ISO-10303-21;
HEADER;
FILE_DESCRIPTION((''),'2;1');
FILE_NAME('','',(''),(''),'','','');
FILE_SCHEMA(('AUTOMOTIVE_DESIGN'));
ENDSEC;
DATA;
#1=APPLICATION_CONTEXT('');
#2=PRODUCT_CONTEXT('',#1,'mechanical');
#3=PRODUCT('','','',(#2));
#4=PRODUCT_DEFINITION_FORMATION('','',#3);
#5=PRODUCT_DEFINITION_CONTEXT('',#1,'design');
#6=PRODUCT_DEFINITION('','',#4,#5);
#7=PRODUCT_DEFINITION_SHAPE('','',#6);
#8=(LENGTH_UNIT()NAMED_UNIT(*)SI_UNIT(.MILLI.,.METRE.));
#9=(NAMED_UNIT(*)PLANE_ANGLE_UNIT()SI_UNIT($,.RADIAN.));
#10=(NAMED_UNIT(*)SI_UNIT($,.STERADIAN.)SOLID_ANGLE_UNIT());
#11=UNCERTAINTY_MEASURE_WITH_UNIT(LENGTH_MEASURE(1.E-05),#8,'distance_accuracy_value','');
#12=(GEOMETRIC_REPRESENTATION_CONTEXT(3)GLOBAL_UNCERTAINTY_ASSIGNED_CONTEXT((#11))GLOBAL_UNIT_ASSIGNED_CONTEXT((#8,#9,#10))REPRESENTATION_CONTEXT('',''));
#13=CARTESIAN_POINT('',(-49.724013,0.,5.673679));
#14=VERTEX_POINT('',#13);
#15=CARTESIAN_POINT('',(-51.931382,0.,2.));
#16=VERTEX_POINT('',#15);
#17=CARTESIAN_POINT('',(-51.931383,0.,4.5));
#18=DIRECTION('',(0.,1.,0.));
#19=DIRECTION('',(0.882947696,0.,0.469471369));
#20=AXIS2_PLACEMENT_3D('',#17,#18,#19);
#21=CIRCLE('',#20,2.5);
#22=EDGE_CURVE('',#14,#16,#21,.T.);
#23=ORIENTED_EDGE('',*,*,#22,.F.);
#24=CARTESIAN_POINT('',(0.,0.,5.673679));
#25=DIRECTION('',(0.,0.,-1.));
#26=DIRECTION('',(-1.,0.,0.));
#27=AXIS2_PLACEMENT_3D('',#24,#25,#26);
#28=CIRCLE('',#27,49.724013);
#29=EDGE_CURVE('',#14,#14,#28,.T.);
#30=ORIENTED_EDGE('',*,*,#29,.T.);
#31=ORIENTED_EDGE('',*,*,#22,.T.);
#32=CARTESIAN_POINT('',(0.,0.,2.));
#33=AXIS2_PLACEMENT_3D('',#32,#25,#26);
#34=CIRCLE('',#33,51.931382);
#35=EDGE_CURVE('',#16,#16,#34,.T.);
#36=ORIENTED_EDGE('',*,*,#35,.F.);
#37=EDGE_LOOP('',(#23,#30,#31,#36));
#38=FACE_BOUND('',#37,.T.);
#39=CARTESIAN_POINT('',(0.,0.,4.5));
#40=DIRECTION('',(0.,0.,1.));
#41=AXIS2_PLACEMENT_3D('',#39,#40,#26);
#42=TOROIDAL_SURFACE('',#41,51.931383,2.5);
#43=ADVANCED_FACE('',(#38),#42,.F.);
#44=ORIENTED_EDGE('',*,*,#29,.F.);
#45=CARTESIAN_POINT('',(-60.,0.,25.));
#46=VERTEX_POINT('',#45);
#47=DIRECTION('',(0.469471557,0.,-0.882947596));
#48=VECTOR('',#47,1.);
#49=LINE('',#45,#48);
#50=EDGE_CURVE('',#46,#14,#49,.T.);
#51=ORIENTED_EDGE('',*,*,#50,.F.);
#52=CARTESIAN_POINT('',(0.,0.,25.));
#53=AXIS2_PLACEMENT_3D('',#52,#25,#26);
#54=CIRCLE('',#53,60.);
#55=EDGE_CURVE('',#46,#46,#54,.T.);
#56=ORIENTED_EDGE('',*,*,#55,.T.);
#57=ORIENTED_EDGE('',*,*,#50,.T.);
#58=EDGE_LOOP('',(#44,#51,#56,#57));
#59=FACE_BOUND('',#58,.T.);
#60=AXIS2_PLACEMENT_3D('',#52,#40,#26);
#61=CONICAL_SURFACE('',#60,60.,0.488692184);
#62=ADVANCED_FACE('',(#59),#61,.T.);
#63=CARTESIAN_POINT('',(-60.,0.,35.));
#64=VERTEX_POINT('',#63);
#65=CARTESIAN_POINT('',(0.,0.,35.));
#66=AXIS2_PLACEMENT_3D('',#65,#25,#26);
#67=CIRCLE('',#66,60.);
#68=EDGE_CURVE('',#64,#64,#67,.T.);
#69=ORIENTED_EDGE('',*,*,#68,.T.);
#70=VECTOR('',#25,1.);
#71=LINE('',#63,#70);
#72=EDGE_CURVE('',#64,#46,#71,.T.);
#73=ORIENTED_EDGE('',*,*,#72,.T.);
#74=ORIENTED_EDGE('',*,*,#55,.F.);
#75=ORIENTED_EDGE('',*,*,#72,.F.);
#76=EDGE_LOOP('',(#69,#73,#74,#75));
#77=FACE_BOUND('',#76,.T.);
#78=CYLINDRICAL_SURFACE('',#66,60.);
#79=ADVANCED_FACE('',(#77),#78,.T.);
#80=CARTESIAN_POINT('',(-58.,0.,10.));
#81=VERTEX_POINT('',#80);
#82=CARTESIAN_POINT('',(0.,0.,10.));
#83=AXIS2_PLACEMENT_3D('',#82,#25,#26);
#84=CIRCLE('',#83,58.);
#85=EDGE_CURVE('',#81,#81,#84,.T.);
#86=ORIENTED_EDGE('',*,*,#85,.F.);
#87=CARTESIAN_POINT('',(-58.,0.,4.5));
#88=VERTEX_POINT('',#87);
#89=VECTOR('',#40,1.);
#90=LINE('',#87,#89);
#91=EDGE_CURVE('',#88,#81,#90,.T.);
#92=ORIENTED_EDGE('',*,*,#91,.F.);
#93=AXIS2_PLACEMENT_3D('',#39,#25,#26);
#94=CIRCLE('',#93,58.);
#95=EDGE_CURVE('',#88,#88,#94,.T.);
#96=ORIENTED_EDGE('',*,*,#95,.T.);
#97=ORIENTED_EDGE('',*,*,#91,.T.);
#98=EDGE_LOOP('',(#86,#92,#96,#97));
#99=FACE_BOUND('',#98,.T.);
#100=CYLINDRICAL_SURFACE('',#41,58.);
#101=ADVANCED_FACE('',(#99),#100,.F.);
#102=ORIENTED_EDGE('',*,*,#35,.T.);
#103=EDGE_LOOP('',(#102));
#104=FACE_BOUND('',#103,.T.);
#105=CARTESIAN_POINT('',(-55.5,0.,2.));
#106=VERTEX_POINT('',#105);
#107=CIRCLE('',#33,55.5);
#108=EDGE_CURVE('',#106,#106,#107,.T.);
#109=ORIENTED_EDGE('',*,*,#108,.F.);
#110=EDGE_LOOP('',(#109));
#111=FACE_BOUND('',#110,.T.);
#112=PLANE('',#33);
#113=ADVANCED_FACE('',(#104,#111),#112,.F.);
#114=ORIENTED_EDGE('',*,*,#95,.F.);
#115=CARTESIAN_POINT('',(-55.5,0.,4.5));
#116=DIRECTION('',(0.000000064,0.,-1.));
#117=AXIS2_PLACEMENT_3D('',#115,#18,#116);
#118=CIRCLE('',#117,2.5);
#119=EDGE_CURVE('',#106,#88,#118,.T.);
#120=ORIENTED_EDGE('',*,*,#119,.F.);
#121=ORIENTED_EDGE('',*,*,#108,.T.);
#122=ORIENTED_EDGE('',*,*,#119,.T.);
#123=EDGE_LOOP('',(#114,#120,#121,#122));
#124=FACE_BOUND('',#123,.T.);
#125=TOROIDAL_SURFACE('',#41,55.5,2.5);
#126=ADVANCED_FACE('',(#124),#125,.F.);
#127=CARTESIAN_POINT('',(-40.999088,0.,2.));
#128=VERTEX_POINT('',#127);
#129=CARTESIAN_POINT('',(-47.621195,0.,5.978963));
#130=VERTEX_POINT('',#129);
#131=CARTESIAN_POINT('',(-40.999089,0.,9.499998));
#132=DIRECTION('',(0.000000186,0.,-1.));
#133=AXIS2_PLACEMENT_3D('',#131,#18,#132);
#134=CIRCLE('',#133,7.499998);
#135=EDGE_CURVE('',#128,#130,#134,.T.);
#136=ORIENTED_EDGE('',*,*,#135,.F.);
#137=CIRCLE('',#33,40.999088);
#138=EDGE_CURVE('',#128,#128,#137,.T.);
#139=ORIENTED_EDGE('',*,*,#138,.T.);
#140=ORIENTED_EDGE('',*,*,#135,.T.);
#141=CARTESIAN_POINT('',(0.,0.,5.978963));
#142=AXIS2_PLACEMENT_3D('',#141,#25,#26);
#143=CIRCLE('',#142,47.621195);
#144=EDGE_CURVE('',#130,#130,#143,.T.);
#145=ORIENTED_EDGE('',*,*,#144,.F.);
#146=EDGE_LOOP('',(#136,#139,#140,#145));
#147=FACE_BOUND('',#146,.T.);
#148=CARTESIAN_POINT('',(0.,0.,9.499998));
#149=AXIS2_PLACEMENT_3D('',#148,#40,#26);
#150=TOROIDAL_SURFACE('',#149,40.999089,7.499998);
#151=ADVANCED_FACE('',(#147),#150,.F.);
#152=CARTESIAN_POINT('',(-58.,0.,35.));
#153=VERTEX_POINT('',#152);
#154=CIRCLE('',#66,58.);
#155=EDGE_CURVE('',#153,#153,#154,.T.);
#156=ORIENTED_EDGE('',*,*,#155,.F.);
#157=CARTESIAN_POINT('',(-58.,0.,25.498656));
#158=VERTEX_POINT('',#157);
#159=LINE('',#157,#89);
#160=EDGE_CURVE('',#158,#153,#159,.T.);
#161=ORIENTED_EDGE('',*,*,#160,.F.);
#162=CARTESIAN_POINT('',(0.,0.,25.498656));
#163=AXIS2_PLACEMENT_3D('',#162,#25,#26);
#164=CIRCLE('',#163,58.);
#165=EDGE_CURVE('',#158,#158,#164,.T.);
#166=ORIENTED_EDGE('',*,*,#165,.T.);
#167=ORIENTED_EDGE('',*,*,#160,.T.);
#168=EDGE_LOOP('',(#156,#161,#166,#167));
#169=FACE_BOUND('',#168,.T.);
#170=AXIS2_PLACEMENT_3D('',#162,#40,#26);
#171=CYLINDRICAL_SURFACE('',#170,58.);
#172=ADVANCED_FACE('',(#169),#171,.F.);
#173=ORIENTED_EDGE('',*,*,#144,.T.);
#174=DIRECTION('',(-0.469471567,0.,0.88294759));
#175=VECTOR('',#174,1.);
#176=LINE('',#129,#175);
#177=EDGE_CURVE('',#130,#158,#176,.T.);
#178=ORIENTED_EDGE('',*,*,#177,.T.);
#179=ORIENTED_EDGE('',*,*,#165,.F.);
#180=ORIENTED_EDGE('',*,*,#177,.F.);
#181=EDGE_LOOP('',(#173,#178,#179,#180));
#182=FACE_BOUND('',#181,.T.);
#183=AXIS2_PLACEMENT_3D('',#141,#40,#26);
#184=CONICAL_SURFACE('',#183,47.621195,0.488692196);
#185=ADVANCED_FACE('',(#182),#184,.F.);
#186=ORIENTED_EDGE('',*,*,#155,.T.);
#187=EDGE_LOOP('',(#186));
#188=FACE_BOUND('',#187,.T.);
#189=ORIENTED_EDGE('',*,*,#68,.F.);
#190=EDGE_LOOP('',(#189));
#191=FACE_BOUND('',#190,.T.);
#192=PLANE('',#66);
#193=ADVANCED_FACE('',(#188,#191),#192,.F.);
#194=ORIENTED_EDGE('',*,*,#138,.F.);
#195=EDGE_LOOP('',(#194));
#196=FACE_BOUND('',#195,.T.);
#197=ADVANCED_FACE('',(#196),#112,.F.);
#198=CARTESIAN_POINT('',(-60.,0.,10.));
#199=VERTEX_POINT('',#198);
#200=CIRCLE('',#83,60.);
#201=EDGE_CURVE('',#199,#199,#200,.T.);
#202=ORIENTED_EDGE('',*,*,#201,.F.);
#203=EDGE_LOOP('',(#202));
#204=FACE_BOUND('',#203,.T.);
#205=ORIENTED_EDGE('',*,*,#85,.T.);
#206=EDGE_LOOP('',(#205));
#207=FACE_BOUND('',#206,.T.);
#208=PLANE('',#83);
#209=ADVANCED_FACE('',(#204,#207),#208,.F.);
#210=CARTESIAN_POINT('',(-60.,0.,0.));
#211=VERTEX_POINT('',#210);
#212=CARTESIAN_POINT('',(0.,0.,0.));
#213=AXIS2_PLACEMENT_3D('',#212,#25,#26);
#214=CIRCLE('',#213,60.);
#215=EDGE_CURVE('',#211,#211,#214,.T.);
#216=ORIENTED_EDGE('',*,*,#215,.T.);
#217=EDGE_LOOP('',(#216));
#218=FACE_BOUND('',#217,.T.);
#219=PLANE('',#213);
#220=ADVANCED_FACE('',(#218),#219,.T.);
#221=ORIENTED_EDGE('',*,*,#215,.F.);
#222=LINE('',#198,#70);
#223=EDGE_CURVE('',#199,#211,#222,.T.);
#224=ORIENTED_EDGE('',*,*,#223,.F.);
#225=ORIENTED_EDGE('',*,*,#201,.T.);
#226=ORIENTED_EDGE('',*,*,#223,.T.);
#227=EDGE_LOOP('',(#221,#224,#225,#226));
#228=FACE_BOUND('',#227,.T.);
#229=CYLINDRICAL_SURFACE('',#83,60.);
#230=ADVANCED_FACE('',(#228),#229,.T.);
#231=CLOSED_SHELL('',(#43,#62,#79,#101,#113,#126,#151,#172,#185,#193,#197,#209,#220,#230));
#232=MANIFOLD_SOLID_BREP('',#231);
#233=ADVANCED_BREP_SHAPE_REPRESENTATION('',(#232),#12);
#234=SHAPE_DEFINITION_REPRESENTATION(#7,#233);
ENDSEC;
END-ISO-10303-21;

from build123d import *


with BuildPart() as f1:
    # F0 (on Front) → F1 (revolve)
    with BuildSketch(Plane.XZ):
        with BuildLine():
            Line((-46.707264, 0), (0, 0))
            Line((0, 0), (0, 2))
            Line((0, 2), (-40.999088, 2))
            ThreePointArc((-40.999088, 2), (-44.861874, 3.071245), (-47.621195, 5.978963))
            Line((-47.621195, 5.978963), (-58, 25.498656))
            Line((-58, 25.498656), (-58, 35))
            Line((-58, 35), (-60, 35))
            Line((-60, 35), (-60, 25))
            Line((-60, 25), (-49.724013, 5.673679))
            ThreePointArc((-49.724013, 5.673679), (-49.788464, 3.212405), (-51.931382, 2))
            Line((-51.931382, 2), (-55.5, 2))
            ThreePointArc((-55.5, 2), (-57.267767, 2.732233), (-58, 4.5))
            Line((-58, 4.5), (-58, 10))
            Line((-58, 10), (-60, 10))
            Line((-60, 10), (-60, 0))
            Line((-60, 0), (-46.707264, 0))
        make_face()
    revolve(axis=Axis((0, 0, 1), (0, 0, -1)))


solid = f1.part
